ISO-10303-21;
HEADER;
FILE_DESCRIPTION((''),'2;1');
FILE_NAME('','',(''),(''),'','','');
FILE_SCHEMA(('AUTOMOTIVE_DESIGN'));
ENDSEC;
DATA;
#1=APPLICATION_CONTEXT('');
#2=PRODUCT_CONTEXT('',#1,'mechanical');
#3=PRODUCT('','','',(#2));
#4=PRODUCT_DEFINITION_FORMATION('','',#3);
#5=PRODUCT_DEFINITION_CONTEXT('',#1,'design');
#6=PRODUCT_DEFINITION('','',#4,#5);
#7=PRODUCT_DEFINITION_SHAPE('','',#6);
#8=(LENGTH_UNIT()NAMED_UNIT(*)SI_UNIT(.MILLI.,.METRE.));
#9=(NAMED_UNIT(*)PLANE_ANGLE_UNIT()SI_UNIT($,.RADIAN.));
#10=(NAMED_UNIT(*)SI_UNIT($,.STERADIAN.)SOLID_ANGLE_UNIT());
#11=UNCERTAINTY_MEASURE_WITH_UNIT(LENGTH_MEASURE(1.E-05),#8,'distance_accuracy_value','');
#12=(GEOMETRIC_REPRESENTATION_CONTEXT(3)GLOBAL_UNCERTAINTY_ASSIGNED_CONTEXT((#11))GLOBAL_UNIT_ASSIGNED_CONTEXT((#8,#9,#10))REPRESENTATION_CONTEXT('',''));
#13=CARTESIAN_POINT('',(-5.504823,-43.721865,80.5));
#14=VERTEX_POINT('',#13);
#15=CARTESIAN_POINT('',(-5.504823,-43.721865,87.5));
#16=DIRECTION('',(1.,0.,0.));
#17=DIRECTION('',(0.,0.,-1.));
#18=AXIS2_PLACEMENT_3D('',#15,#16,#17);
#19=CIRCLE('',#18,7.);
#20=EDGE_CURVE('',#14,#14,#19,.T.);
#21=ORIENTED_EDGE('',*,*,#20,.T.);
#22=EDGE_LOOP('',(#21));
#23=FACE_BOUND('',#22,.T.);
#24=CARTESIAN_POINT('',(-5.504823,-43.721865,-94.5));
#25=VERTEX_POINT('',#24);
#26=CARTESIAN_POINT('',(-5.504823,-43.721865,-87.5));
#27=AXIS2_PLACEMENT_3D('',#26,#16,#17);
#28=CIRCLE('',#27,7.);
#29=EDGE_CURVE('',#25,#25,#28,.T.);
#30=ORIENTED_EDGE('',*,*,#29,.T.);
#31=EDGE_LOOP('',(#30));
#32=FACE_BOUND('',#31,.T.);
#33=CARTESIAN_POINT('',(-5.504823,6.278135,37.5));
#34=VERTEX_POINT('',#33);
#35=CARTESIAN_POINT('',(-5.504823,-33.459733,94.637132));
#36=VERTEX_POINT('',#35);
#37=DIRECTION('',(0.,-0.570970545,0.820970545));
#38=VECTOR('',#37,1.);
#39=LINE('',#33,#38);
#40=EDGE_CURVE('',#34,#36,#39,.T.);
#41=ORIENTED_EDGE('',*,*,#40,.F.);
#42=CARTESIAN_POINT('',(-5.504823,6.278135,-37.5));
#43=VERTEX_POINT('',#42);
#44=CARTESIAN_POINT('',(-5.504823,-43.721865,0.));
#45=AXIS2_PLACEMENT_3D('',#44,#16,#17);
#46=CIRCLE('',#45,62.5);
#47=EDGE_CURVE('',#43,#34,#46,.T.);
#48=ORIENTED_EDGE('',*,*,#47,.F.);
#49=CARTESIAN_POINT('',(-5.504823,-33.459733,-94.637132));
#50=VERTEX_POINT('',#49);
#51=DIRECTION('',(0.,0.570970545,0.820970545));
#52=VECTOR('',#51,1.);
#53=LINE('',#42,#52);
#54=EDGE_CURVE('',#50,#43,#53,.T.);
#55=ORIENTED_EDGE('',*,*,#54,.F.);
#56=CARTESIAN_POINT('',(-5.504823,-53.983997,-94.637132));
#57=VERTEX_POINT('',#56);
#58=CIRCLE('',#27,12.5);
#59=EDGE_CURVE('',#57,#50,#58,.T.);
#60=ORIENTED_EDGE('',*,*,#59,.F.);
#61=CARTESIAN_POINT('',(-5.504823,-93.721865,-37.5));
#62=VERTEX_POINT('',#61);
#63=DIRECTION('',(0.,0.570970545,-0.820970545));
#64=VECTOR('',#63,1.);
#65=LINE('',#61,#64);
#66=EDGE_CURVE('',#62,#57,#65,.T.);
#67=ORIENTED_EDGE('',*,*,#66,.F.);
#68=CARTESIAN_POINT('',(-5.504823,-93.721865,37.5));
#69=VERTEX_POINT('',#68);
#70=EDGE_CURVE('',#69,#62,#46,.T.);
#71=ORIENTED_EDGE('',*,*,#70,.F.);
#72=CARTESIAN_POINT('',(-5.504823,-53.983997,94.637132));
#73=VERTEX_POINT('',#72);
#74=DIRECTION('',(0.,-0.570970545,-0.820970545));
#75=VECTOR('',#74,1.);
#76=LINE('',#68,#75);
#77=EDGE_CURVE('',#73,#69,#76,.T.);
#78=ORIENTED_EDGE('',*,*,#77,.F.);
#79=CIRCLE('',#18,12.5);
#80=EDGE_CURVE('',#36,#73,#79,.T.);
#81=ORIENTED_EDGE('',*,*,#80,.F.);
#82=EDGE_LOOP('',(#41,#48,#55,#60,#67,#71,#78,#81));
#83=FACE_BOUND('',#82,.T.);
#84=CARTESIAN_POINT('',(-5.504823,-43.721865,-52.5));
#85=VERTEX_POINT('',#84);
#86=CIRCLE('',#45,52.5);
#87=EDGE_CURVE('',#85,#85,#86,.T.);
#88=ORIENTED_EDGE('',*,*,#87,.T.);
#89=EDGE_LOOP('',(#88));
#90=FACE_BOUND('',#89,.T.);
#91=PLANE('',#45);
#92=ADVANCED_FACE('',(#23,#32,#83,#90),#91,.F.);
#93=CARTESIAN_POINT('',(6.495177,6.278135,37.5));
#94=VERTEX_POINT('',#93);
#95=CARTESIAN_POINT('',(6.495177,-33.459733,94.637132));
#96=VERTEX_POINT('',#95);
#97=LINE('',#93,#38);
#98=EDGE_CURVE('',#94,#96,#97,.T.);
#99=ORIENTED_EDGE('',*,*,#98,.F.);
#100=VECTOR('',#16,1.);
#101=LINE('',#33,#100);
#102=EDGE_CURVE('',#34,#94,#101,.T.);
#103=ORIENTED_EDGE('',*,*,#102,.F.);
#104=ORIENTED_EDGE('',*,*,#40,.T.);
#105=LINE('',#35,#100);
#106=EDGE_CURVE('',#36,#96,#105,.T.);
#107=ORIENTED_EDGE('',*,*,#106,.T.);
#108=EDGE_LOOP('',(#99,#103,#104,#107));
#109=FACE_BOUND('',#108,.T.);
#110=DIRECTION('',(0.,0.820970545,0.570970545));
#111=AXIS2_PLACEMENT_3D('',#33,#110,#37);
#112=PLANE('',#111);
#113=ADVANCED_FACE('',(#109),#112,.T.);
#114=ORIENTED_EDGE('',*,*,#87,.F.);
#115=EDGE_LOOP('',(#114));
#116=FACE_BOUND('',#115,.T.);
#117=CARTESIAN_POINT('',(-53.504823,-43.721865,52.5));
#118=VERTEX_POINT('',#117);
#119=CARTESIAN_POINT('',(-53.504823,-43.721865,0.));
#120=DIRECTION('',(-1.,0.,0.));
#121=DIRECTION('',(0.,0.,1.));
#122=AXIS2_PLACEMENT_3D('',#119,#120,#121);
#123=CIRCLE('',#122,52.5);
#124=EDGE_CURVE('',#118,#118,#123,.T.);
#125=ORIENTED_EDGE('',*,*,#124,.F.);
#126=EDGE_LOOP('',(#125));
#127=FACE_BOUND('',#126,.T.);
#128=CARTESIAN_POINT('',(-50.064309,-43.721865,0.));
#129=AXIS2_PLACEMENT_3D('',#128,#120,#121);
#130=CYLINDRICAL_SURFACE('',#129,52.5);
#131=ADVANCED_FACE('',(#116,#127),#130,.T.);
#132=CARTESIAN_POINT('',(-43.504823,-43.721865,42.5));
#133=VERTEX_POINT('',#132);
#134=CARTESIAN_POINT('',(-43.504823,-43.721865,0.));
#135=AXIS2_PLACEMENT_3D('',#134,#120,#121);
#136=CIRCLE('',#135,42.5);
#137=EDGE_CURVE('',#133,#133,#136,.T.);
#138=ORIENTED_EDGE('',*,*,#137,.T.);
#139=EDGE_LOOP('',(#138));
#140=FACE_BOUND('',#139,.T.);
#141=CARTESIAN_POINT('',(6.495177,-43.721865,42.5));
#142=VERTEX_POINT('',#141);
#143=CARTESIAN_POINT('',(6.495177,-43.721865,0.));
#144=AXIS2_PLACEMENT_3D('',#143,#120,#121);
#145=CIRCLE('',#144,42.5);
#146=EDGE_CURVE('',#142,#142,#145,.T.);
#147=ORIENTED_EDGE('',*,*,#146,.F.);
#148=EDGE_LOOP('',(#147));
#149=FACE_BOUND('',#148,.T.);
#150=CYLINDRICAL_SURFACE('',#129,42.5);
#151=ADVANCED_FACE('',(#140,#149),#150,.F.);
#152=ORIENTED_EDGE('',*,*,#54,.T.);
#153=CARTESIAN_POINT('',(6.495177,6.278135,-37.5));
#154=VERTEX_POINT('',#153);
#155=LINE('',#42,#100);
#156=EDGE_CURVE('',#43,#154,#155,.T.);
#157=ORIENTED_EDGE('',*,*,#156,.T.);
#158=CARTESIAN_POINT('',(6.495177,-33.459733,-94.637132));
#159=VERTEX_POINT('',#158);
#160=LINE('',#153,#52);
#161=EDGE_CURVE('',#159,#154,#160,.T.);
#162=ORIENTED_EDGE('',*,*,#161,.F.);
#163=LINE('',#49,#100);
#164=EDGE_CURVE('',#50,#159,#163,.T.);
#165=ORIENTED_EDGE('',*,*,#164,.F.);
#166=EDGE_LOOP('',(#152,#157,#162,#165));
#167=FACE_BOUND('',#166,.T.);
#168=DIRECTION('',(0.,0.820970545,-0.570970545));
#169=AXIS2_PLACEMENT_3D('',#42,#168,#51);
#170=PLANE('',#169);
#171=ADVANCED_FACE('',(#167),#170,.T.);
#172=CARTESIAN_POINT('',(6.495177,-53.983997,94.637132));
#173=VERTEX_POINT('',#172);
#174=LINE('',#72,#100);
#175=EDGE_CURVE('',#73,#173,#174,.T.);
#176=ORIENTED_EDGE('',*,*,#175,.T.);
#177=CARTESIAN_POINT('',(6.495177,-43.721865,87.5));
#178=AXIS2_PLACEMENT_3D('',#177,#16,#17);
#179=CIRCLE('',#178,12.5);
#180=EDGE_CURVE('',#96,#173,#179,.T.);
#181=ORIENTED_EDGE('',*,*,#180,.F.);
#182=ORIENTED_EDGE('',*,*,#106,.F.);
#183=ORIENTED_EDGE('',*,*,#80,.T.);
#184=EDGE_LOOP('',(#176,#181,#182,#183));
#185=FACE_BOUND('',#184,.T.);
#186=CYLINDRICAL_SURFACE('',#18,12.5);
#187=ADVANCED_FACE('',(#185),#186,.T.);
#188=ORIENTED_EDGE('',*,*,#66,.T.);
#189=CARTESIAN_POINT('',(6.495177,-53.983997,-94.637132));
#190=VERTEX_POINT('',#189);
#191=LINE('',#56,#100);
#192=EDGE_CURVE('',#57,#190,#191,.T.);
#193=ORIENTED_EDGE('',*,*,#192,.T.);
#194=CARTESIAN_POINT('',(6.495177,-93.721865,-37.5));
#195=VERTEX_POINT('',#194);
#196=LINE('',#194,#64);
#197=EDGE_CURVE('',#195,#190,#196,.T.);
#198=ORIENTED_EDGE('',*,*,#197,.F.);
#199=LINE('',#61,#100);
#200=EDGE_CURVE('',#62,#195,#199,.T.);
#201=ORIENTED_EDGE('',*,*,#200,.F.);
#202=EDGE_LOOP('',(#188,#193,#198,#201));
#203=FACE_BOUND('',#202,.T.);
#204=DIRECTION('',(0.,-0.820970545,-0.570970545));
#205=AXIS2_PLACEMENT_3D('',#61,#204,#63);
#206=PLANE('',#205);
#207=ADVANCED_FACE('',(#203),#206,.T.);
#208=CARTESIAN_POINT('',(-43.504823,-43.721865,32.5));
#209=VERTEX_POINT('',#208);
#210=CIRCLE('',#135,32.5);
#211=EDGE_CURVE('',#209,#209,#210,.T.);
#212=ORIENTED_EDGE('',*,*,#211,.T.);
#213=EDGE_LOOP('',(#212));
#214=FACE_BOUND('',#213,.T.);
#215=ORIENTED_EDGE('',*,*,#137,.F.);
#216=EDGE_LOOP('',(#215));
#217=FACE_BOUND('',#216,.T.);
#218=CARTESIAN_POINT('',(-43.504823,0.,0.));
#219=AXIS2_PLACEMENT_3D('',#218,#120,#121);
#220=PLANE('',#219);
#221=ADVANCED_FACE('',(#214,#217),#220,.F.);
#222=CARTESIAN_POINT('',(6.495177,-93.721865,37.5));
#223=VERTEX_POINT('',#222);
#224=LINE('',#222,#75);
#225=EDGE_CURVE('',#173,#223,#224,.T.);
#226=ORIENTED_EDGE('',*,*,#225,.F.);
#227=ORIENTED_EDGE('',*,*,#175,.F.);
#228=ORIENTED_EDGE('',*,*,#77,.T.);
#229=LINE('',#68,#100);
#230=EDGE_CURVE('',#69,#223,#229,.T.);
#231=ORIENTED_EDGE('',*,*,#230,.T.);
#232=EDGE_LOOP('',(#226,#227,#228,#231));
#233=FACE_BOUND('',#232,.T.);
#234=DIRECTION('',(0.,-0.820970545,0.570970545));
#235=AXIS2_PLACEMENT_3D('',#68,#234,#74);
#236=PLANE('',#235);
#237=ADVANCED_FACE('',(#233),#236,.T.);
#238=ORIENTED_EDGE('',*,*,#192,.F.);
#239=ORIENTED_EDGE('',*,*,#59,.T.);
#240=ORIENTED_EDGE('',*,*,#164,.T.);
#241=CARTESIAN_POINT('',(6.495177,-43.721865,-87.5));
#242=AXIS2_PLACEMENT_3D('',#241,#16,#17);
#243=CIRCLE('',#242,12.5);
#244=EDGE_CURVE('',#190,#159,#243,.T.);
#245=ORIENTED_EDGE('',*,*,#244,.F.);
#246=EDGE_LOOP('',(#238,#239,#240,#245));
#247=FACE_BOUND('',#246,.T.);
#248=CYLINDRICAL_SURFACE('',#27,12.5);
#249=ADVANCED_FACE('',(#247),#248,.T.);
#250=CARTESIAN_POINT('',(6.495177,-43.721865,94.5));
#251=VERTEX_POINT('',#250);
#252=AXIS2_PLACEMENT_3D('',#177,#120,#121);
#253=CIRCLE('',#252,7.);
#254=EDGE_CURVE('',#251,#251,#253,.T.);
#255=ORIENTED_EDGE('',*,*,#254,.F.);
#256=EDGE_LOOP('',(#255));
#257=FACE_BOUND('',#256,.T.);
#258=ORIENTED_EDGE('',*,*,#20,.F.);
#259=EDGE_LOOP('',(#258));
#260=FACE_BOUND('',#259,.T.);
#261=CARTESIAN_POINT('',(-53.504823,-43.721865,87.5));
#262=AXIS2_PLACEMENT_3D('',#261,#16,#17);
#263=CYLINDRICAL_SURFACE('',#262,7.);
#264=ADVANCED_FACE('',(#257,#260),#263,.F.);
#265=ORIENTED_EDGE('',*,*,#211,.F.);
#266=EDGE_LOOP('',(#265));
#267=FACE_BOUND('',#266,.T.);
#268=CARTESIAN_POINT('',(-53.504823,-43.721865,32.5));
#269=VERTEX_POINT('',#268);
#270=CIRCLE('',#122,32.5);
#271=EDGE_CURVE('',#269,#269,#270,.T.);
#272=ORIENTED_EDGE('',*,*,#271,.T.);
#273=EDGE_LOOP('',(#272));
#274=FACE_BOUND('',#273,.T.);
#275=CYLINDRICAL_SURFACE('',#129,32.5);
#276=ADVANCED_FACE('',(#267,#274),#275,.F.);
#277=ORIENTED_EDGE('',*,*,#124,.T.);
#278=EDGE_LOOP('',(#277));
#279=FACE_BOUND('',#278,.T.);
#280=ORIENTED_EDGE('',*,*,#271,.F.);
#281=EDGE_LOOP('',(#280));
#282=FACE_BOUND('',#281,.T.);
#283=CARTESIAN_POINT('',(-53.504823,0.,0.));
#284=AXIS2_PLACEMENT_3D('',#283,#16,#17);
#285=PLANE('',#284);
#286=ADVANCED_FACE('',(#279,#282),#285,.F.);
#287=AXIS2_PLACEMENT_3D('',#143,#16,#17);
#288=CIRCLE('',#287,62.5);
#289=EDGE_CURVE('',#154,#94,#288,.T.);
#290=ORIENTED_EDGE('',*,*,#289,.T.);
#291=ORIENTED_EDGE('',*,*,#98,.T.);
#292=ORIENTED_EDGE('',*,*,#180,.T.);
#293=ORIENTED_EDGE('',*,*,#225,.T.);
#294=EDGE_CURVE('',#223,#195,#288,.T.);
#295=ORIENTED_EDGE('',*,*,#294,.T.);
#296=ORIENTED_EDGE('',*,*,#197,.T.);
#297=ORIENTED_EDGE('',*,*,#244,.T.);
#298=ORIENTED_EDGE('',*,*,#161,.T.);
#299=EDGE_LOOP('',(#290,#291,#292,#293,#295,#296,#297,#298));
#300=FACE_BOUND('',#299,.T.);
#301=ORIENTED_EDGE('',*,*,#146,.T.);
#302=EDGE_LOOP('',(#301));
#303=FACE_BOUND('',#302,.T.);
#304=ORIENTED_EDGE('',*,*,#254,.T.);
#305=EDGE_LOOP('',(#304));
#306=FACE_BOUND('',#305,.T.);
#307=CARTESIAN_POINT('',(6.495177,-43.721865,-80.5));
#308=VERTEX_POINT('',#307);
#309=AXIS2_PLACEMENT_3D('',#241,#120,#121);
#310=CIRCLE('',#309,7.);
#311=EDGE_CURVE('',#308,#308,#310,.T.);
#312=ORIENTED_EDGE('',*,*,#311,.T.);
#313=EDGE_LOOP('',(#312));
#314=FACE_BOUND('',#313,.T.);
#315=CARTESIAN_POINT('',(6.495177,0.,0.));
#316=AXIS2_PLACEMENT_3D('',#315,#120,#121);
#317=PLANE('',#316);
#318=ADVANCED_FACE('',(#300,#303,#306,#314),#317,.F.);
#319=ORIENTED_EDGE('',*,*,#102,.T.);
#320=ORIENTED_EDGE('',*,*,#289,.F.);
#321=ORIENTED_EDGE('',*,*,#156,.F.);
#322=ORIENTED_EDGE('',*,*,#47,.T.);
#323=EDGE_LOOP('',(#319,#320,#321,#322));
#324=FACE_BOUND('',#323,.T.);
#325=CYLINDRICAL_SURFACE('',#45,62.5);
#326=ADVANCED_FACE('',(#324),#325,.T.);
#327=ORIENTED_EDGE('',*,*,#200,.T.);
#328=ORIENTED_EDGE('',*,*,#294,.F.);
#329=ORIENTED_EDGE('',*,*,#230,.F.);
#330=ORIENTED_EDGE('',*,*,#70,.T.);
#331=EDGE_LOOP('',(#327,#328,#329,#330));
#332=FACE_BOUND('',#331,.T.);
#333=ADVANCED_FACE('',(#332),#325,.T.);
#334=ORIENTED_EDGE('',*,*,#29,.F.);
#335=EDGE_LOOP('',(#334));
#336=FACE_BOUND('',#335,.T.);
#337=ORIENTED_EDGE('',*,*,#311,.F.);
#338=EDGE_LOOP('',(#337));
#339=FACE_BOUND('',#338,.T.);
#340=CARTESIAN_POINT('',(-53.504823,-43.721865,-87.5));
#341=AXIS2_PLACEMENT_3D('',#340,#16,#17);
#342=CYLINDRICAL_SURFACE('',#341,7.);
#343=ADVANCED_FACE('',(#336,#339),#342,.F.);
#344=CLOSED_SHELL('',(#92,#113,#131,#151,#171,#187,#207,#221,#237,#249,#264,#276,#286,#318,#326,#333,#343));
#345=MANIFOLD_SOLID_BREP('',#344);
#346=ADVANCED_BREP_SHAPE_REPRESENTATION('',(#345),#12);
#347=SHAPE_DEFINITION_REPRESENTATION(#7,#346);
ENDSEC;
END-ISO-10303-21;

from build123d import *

# Parameters (mm, degrees)
BOSS_EXTRUDE1_START     = -12
SKETCH2_R               = 52.5
BOSS_EXTRUDE1_DEPTH     = 12
CUT_EXTRUDE1_DEPTH      = 158.743730759
CUT_EXTRUDE1_DEPTH_BACK = 158.743730759
SKETCH3_R               = 7


with BuildPart() as part:
    # Sketch1 → Revolve1 (revolve)
    with BuildSketch(Plane.XY, mode=Mode.PRIVATE) as revolve1_sk:
        Polygon((-43.504823151, -1.221864952), (6.495176849, -1.221864952), (6.495176849, 8.778135048), (-53.504823151, 8.778135048), (-53.504823151, -11.221864952), (-43.504823151, -11.221864952), align=None)
    revolve(revolve1_sk.sketch.rotate(Axis((-50.064308682, -43.721864952, 0), (1, 0, 0)), 90), axis=Axis((-50.064308682, -43.721864952, 0), (1, 0, 0)))

    # Sketch2 → Boss-Extrude1 (add)
    with BuildSketch(Plane(origin=(6.495176849, 0, 0), x_dir=(0, 0, -1), z_dir=(1, 0, 0)).offset(BOSS_EXTRUDE1_START)):
        with BuildLine():
            Line((-37.500000001, -93.721864951), (-94.637131817, -53.983996769))
            ThreePointArc((-94.637131817, -53.983996769), (-100, -43.721864952), (-94.637131817, -33.459733135))
            Line((-94.637131817, -33.459733135), (-37.500000001, 6.278135048))
            ThreePointArc((-37.500000001, 6.278135048), (0, 18.778135048), (37.500000001, 6.278135048))
            Line((37.500000001, 6.278135048), (94.637131817, -33.459733135))
            ThreePointArc((94.637131817, -33.459733135), (100, -43.721864952), (94.637131817, -53.983996769))
            Line((94.637131817, -53.983996769), (37.500000001, -93.721864951))
            ThreePointArc((37.500000001, -93.721864951), (0, -106.221864952), (-37.500000001, -93.721864951))
        make_face()
        with Locations(Location((0, -43.721864952, 0), (0, 0, 180))):
            Circle(SKETCH2_R, mode=Mode.SUBTRACT)
    extrude(amount=BOSS_EXTRUDE1_DEPTH)

    # Sketch3 → Cut-Extrude1 (cut, two sides: drawn at the far end of the back side and taken through both)
    with BuildSketch(Plane(origin=(6.495176849, 0, 0), x_dir=(0, 0, -1), z_dir=(1, 0, 0)).offset(-CUT_EXTRUDE1_DEPTH_BACK)):
        with Locations((87.5, -43.721864952)):
            Circle(SKETCH3_R)
        with Locations((-87.5, -43.721864952)):
            Circle(SKETCH3_R)
    extrude(amount=CUT_EXTRUDE1_DEPTH + CUT_EXTRUDE1_DEPTH_BACK, mode=Mode.SUBTRACT)


solid = part.part
